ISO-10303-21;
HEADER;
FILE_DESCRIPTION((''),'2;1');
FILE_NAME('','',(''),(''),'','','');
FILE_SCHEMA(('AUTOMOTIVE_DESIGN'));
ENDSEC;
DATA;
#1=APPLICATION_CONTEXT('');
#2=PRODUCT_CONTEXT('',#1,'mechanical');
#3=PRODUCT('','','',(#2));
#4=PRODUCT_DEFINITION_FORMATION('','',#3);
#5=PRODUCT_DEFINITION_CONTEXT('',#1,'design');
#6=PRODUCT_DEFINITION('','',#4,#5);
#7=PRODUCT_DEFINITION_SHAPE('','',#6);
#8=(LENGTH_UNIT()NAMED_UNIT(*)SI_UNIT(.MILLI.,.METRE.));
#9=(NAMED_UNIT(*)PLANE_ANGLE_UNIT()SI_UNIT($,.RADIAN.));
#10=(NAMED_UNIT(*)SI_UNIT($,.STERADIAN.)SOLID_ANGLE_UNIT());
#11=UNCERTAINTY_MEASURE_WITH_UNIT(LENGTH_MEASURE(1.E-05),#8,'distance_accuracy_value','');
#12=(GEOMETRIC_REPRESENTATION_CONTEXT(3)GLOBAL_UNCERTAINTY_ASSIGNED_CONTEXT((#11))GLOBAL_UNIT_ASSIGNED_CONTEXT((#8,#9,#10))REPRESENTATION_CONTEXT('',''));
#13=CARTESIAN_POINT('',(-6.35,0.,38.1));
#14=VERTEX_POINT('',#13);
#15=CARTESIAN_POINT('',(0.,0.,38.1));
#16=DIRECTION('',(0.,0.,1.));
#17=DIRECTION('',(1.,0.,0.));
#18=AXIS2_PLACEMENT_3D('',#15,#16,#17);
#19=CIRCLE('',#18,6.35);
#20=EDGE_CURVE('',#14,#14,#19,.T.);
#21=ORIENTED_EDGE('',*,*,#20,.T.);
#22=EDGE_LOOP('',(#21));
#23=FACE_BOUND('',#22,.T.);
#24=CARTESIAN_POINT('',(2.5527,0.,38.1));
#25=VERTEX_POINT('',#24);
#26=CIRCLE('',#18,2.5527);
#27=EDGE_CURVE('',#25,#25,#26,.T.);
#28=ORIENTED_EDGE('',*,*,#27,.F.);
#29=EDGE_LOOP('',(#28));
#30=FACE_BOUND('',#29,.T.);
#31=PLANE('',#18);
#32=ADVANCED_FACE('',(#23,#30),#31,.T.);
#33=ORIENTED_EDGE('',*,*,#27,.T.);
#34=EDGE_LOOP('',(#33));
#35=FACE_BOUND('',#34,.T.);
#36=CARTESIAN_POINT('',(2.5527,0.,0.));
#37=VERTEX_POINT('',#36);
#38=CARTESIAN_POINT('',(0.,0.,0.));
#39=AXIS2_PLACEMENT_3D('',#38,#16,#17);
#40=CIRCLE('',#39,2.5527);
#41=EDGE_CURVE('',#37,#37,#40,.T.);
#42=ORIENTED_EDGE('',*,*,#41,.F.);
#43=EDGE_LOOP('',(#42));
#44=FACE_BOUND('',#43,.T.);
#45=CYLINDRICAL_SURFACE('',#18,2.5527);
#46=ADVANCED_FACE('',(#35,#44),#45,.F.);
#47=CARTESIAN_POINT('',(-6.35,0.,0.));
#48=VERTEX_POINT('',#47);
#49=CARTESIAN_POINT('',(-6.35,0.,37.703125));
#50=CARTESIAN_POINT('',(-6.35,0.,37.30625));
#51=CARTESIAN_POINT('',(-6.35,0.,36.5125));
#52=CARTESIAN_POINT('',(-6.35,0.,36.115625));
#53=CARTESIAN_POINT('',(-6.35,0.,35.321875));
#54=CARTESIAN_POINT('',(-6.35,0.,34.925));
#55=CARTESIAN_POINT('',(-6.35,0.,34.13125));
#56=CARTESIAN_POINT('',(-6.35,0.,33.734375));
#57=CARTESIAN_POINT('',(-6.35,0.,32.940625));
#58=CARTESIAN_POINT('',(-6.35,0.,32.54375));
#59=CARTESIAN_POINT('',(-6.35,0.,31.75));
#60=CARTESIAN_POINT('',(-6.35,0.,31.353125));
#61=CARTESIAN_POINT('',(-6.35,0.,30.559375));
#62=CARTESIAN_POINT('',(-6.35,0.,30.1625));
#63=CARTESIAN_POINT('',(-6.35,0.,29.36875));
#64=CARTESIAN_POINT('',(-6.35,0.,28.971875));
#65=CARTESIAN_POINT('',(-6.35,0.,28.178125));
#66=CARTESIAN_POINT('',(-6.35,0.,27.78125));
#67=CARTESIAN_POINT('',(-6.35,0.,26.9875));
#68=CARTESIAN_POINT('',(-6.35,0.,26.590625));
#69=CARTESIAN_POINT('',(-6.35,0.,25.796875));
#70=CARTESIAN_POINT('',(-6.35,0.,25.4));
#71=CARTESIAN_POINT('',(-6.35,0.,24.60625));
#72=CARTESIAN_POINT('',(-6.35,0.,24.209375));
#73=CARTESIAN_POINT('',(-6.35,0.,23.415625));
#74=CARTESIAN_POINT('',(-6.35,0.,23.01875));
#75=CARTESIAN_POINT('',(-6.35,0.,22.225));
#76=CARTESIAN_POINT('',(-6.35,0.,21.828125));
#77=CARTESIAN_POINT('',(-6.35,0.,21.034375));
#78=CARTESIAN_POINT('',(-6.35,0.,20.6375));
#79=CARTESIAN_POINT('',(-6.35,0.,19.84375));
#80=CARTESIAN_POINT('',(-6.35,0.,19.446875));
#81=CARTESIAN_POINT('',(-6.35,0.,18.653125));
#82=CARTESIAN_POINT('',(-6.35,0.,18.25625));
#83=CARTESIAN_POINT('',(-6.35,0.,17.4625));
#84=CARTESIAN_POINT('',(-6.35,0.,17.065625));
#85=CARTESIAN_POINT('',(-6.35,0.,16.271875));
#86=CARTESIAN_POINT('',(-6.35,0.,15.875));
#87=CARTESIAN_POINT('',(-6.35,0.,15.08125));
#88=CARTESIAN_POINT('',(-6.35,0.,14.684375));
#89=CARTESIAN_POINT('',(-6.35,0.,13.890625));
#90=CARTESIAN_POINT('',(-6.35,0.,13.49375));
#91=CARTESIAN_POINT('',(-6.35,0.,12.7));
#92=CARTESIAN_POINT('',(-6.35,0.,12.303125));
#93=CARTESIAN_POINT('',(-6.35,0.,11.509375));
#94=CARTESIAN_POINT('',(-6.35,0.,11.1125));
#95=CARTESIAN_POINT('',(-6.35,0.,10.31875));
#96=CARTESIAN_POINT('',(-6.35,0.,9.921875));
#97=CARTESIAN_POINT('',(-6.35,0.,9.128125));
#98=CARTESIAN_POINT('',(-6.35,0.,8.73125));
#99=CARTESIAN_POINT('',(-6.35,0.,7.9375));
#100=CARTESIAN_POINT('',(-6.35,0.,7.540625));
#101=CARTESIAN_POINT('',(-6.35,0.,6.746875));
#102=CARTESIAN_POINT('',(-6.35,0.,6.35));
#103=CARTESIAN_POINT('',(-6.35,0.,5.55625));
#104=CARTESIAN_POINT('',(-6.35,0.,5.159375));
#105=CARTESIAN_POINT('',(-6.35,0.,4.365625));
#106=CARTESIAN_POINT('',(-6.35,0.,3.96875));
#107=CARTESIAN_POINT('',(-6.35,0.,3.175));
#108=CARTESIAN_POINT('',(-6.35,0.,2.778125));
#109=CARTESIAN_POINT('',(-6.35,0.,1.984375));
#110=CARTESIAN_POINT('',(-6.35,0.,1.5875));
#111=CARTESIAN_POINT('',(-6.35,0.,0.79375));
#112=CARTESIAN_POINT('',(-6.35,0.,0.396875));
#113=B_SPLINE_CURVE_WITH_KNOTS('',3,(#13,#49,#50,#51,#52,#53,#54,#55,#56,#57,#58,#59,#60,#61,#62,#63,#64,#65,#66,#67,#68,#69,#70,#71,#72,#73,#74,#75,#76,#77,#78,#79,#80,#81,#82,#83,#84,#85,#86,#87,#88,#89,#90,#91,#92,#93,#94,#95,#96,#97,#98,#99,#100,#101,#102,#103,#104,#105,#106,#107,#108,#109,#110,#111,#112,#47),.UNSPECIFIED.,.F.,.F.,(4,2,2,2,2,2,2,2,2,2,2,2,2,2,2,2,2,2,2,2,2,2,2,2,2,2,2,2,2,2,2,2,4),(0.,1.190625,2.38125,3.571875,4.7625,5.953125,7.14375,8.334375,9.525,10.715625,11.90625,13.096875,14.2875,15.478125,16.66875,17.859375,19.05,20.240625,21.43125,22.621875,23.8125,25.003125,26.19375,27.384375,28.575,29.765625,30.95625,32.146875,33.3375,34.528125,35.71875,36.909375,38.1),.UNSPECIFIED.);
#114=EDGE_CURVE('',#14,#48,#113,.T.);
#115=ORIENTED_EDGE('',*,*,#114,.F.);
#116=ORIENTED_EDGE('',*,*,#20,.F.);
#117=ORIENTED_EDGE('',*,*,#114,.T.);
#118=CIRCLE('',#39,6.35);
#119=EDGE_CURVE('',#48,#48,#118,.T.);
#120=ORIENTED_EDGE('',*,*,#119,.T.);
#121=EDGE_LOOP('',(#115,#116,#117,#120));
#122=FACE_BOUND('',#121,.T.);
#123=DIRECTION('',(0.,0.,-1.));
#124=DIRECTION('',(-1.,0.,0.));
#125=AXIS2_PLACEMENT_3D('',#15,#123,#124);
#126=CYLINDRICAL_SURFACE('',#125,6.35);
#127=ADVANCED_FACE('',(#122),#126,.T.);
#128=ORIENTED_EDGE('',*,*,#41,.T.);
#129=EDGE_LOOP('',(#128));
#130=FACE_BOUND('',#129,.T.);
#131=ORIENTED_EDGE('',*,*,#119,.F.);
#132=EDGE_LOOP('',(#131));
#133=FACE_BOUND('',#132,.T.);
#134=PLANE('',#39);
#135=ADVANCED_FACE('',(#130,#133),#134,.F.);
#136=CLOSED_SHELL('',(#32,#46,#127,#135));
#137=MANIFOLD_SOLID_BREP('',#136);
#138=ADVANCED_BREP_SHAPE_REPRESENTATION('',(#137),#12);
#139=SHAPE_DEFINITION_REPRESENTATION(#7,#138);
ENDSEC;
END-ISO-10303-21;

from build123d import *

# Parameters (mm, degrees)
SKETCH1_R                   = 6.35
HANDLE_BASE_DEPTH           = 38.1
F_1_4_20_TAPPED_HOLE1_D     = 5.1054
F_1_4_20_TAPPED_HOLE1_DEPTH = 22.596183098
F_1_4_20_TAPPED_HOLE1_TIP   = 1.533816902
SKETCH2_R                   = 2.5527
CUT_EXTRUDE1_DEPTH          = 40.144028919


with BuildPart() as part:
    # Sketch1 → Handle Base (new body)
    with BuildSketch(Plane.XY):
        with Locations(Location((0, 0, 0), (0, 0, 180))):
            Circle(SKETCH1_R)
    extrude(amount=HANDLE_BASE_DEPTH)

    # 1/4-20 Tapped Hole1
    with Locations(Plane.XY.offset(38.1)):
        with Locations((0, 0)):
            Hole(F_1_4_20_TAPPED_HOLE1_D / 2, depth=F_1_4_20_TAPPED_HOLE1_DEPTH)
            with Locations((0, 0, -(F_1_4_20_TAPPED_HOLE1_DEPTH + F_1_4_20_TAPPED_HOLE1_TIP / 2))):  # 118° drill point
                Cone(0, F_1_4_20_TAPPED_HOLE1_D / 2, F_1_4_20_TAPPED_HOLE1_TIP, mode=Mode.SUBTRACT)

    # Sketch2 → Cut-Extrude1 (cut, through all)
    with BuildSketch(Plane.XY.offset(38.1)):
        Circle(SKETCH2_R)
    extrude(amount=-CUT_EXTRUDE1_DEPTH, mode=Mode.SUBTRACT)


solid = part.part
